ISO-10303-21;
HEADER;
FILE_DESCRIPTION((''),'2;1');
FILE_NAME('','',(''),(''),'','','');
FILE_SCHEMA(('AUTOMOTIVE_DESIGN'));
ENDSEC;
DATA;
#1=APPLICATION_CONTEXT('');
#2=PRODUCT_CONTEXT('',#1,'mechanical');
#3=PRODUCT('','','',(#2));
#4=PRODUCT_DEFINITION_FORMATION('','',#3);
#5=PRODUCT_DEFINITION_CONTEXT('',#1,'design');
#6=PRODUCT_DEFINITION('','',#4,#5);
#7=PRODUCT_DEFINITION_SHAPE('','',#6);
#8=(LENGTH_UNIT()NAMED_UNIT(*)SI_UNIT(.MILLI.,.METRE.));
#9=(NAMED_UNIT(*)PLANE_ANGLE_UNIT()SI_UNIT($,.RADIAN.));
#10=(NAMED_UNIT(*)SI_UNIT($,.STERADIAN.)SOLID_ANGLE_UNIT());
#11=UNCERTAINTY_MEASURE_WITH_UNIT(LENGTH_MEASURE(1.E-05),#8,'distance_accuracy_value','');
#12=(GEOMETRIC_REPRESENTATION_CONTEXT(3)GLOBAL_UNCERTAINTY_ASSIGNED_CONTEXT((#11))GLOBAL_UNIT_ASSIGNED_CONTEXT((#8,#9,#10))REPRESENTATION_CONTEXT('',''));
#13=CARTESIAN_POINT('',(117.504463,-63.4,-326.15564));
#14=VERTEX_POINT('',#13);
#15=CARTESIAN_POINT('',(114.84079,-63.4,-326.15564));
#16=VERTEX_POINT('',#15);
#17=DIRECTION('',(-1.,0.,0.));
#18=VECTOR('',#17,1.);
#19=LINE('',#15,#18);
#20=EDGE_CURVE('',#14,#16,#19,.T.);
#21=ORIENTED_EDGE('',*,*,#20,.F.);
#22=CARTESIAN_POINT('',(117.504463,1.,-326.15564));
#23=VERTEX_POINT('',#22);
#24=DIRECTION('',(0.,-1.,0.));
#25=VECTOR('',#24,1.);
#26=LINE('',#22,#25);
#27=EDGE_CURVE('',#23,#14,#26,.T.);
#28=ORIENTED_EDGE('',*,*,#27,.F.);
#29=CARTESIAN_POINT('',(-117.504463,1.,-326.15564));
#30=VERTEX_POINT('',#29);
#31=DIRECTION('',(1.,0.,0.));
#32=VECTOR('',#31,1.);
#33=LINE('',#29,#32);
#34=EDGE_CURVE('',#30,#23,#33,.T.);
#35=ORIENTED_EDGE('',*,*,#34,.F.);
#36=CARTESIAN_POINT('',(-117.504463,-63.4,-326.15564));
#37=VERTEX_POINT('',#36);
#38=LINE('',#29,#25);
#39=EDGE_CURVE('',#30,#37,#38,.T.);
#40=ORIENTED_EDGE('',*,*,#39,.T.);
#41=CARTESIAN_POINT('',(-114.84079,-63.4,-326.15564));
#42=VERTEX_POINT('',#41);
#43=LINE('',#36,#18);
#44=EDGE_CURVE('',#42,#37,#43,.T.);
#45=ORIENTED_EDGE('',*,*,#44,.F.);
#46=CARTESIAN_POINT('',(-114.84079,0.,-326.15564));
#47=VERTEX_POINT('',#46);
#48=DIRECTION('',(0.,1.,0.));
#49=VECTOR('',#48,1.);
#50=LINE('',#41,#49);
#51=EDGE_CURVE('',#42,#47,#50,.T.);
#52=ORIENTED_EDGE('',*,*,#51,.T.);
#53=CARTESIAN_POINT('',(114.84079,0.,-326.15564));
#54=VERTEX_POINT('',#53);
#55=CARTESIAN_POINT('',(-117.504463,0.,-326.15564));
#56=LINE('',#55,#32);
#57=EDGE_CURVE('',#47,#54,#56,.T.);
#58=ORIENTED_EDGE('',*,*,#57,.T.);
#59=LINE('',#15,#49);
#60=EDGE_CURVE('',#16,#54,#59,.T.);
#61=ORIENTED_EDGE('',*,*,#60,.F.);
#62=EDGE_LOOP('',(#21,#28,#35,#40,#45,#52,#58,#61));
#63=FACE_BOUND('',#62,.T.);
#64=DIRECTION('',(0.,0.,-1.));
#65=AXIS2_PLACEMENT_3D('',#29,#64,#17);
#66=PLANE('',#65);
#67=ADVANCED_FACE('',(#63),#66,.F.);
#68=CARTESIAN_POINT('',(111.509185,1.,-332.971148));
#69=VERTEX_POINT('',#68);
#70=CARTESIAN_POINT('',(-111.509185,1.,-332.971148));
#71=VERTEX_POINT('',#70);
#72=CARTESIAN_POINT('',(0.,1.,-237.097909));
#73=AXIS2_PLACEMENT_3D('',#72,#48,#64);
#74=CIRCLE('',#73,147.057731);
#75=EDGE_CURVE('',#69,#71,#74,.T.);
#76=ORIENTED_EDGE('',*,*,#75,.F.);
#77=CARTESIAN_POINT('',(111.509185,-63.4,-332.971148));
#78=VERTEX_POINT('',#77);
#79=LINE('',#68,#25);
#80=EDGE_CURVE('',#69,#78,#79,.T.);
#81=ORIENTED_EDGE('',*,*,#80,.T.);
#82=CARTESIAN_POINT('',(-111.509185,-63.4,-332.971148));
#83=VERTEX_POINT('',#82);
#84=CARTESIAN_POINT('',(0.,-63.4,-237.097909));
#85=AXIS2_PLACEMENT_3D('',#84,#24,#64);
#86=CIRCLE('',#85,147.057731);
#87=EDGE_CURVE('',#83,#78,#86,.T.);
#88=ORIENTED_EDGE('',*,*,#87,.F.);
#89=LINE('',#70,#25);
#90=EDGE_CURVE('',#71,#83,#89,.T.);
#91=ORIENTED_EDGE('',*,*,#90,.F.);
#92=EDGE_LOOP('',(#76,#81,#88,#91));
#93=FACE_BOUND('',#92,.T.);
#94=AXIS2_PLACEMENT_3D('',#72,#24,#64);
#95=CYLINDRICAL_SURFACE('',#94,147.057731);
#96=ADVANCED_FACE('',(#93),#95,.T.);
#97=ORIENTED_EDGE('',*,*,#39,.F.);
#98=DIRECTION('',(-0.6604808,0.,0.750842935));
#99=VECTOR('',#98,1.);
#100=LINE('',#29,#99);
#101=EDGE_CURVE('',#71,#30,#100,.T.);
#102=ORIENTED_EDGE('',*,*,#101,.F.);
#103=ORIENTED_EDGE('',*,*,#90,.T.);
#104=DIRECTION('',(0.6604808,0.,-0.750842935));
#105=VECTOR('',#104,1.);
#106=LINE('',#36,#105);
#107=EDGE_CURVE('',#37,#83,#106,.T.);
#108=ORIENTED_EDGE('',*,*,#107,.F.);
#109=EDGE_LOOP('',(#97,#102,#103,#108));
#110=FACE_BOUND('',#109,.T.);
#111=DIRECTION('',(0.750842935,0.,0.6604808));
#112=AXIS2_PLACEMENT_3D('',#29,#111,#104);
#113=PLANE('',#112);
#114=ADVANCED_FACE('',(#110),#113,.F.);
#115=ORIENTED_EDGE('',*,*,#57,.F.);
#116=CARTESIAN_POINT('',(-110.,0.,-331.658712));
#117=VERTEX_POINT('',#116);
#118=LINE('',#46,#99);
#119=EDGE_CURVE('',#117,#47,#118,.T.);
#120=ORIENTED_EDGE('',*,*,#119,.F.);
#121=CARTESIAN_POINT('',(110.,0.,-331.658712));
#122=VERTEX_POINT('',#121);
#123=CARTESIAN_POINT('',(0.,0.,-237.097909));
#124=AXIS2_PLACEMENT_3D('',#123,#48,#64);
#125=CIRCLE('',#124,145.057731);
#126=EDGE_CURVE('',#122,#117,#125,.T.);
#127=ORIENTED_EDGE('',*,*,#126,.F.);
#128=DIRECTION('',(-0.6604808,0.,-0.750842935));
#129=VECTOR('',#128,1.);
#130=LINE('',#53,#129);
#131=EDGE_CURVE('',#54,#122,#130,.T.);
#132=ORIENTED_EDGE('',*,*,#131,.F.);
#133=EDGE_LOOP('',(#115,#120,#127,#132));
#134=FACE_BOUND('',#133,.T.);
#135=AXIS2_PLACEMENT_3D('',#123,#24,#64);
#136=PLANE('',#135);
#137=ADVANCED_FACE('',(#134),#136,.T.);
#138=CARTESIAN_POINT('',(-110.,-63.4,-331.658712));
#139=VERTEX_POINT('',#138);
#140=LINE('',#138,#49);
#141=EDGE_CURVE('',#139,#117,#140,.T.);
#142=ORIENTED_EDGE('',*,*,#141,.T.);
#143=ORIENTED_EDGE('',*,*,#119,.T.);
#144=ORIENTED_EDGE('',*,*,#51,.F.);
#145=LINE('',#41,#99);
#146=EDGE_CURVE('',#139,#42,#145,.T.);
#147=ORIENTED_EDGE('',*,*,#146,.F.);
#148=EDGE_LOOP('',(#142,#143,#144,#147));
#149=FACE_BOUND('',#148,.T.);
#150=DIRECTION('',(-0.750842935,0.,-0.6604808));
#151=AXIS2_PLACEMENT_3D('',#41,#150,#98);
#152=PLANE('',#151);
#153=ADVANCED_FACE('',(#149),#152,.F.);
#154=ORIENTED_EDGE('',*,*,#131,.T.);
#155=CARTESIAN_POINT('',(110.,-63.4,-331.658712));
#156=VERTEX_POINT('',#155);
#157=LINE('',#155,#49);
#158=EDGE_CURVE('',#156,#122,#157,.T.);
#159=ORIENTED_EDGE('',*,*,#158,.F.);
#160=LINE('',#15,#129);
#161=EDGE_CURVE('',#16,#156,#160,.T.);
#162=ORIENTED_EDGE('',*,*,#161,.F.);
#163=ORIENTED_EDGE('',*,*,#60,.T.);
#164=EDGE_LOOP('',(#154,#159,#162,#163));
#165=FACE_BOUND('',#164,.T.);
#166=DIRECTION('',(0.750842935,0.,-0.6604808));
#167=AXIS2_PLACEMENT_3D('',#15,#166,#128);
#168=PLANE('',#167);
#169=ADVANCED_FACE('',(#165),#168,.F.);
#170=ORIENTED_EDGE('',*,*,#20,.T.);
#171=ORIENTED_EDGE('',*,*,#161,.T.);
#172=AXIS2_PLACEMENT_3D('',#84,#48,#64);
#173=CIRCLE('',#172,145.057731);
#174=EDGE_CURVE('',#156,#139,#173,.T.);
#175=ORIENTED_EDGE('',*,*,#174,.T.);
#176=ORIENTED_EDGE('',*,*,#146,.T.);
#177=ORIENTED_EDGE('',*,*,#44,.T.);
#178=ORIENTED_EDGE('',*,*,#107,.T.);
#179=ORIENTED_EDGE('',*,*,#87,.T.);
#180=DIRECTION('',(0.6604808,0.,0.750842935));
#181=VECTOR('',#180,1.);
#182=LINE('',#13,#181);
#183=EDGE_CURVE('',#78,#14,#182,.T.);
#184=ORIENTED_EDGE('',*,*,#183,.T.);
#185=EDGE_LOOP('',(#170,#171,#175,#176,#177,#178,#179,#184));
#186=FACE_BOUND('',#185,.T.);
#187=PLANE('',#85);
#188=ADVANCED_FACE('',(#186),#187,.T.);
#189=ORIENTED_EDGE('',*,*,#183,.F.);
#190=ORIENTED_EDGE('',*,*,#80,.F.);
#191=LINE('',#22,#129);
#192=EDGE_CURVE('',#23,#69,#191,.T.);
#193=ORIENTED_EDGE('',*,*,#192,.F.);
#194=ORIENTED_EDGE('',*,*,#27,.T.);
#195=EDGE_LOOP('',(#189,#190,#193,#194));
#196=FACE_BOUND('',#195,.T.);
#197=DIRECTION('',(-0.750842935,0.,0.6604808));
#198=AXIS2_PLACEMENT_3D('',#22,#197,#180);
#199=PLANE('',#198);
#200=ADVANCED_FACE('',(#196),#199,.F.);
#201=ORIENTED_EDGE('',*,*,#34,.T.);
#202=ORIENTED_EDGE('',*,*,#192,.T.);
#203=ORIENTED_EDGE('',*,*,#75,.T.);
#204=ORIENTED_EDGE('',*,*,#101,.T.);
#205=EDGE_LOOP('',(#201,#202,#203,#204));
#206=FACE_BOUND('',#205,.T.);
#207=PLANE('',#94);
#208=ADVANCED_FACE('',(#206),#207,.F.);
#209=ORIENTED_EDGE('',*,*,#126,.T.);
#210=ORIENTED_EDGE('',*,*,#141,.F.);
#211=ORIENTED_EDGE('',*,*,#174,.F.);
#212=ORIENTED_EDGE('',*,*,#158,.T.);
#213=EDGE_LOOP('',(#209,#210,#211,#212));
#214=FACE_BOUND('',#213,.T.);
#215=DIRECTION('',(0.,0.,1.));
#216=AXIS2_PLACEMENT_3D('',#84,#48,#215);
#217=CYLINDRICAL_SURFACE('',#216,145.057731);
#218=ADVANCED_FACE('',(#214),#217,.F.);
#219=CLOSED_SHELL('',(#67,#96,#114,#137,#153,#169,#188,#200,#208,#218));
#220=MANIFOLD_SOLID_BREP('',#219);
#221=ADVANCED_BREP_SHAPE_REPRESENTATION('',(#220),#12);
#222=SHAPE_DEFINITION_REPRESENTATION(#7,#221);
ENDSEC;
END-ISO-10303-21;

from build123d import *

# Parameters (mm, degrees)
BOSS_EXTRUDE1_DEPTH = 1
BOSS_EXTRUDE2_START = 63.399999946
BOSS_EXTRUDE2_DEPTH = 63.399999946


with BuildPart() as part:
    # Sketch3 → Boss-Extrude1 (new body)
    with BuildSketch(Plane(origin=(0, 0, 0), x_dir=(1, 0, 0), z_dir=(0, 1, 0))):
        with BuildLine():
            Line((-117.504462868, 326.155640462), (-111.509184915, 332.971148344))
            ThreePointArc((-111.509184915, 332.971148344), (0, 384.155640476), (111.509184915, 332.971148344))
            Line((111.509184915, 332.971148344), (117.504462868, 326.155640462))
            Line((117.504462868, 326.155640462), (-117.504462868, 326.155640462))
        make_face()
    extrude(amount=BOSS_EXTRUDE1_DEPTH)

    # Sketch4 → Boss-Extrude2 (add)
    with BuildSketch(Plane.XZ.offset(BOSS_EXTRUDE2_START)):
        with BuildLine():
            Line((-117.504462868, -326.155640462), (-111.509184915, -332.971148344))
            ThreePointArc((-111.509184915, -332.971148344), (0, -384.155640476), (111.509184915, -332.971148344))
            Line((111.509184915, -332.971148344), (117.504462868, -326.155640462))
            Line((117.504462868, -326.155640462), (114.84078994, -326.155640462))
            Line((114.84078994, -326.155640462), (110, -331.658711753))
            ThreePointArc((110, -331.658711753), (0, -382.155640476), (-110, -331.658711753))
            Line((-110, -331.658711753), (-114.84078994, -326.155640462))
            Line((-114.84078994, -326.155640462), (-117.504462868, -326.155640462))
        make_face()
    extrude(amount=-BOSS_EXTRUDE2_DEPTH)


solid = part.part
